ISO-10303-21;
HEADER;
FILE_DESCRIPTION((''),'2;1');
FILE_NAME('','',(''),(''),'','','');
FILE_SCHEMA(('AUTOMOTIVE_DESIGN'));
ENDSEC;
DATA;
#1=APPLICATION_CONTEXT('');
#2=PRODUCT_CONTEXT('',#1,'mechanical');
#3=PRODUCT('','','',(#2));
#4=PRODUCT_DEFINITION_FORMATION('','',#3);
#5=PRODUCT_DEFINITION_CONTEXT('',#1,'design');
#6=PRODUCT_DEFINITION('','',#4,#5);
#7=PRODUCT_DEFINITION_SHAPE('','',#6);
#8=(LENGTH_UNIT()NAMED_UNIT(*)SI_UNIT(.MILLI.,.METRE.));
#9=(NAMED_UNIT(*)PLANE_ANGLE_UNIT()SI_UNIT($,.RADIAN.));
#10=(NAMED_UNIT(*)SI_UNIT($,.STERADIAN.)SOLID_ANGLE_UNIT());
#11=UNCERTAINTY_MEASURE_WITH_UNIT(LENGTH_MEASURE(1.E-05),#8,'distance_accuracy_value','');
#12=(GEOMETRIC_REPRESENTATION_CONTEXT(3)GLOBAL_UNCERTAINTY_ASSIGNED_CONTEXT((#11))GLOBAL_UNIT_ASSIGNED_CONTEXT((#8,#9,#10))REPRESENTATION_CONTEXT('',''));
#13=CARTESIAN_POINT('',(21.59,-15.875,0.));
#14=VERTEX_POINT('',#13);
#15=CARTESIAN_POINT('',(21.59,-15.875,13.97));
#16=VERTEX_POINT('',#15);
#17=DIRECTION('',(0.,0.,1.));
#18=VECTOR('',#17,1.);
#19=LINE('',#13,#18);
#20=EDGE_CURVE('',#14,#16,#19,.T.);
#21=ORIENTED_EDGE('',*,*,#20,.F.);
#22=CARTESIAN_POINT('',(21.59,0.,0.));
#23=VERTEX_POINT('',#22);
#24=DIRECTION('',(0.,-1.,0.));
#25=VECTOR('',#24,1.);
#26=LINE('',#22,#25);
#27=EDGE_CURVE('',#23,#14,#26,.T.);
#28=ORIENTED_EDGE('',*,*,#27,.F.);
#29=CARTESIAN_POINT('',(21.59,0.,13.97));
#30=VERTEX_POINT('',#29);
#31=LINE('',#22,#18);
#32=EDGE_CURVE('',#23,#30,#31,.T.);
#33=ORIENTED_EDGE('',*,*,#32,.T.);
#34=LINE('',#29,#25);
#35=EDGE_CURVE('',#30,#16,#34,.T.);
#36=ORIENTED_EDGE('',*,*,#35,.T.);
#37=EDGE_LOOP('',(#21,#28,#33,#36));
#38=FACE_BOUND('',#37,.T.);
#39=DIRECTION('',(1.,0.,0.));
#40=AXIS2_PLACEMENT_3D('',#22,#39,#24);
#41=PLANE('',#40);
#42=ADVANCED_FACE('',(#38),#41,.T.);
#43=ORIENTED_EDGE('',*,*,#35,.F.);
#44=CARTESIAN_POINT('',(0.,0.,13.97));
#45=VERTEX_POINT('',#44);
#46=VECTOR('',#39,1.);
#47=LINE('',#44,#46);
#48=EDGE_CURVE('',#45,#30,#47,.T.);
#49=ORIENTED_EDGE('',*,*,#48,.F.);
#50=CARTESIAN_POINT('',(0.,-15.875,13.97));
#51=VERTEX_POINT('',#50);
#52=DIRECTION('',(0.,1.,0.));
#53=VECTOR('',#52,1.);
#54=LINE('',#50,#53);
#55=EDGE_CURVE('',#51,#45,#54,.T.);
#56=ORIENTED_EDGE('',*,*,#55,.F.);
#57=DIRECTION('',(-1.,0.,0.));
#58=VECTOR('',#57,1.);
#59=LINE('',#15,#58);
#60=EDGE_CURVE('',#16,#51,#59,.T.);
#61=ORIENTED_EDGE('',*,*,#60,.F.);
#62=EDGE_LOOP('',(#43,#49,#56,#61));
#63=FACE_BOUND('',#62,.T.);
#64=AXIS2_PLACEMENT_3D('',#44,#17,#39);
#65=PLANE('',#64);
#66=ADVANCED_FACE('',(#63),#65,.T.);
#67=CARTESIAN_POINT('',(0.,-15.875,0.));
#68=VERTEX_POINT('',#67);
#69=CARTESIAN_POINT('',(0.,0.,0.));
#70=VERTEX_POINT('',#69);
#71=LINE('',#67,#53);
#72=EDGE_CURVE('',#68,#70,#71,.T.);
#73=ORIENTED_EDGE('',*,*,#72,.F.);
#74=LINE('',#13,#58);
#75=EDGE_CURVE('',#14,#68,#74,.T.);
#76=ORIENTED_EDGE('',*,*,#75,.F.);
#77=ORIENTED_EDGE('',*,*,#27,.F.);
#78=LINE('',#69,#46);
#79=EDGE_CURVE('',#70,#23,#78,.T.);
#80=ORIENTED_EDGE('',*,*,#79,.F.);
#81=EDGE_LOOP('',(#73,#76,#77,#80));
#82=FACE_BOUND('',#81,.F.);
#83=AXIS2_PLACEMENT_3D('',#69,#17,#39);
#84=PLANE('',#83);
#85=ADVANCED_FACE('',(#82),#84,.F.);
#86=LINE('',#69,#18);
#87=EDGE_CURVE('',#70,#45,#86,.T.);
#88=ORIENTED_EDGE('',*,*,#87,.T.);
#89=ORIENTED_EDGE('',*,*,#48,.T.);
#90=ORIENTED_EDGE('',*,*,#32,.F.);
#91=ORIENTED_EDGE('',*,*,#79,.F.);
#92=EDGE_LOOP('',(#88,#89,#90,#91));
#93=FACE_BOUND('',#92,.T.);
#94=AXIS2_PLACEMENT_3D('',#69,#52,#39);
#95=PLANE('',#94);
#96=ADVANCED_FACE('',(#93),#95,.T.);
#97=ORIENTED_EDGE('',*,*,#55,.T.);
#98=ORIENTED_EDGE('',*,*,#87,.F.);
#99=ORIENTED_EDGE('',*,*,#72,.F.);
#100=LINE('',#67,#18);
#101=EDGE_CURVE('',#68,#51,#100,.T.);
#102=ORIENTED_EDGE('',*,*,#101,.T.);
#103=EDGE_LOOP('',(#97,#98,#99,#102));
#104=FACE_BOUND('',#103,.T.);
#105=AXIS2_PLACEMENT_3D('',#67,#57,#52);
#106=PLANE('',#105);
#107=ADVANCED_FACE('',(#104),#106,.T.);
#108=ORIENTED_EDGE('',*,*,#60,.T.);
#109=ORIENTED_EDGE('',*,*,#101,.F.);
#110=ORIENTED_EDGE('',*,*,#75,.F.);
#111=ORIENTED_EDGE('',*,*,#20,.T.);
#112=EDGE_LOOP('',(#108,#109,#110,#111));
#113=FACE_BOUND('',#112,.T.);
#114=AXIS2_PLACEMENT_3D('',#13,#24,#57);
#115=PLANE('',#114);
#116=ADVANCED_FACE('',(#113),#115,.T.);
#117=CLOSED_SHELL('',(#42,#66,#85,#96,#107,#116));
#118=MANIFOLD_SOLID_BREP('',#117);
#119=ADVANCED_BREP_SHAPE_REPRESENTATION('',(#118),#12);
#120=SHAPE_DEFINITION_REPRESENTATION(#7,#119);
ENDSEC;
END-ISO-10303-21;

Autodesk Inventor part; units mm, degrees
ref_plane "YZ Plane" through (0, 0, 0) normal (1, 0, 0) x (0, 1, 0)
ref_plane "XZ Plane" through (0, 0, 0) normal (0, 1, 0) x (-1, 0, 0)
ref_plane "XY Plane" through (0, 0, 0) normal (0, 0, 1) x (1, 0, 0)
sketch "Sketch1" plane through (0, 0, 0) normal (0, 0, 1) x (1, 0, 0)
  line L0 (0, 0) -> (21.59, 0)
  line L1 (21.59, 0) -> (21.59, -15.875)
  line L2 (21.59, -15.875) -> (0, -15.875)
  line L3 (0, -15.875) -> (0, 0)
  dimension "d0" = 21.59
  dimension "d1" = 15.875
extrude "Extrusion1" add sketch "Sketch1" along normal blind 13.97
properties part number "PiEthernet" material "Stainless Steel"
